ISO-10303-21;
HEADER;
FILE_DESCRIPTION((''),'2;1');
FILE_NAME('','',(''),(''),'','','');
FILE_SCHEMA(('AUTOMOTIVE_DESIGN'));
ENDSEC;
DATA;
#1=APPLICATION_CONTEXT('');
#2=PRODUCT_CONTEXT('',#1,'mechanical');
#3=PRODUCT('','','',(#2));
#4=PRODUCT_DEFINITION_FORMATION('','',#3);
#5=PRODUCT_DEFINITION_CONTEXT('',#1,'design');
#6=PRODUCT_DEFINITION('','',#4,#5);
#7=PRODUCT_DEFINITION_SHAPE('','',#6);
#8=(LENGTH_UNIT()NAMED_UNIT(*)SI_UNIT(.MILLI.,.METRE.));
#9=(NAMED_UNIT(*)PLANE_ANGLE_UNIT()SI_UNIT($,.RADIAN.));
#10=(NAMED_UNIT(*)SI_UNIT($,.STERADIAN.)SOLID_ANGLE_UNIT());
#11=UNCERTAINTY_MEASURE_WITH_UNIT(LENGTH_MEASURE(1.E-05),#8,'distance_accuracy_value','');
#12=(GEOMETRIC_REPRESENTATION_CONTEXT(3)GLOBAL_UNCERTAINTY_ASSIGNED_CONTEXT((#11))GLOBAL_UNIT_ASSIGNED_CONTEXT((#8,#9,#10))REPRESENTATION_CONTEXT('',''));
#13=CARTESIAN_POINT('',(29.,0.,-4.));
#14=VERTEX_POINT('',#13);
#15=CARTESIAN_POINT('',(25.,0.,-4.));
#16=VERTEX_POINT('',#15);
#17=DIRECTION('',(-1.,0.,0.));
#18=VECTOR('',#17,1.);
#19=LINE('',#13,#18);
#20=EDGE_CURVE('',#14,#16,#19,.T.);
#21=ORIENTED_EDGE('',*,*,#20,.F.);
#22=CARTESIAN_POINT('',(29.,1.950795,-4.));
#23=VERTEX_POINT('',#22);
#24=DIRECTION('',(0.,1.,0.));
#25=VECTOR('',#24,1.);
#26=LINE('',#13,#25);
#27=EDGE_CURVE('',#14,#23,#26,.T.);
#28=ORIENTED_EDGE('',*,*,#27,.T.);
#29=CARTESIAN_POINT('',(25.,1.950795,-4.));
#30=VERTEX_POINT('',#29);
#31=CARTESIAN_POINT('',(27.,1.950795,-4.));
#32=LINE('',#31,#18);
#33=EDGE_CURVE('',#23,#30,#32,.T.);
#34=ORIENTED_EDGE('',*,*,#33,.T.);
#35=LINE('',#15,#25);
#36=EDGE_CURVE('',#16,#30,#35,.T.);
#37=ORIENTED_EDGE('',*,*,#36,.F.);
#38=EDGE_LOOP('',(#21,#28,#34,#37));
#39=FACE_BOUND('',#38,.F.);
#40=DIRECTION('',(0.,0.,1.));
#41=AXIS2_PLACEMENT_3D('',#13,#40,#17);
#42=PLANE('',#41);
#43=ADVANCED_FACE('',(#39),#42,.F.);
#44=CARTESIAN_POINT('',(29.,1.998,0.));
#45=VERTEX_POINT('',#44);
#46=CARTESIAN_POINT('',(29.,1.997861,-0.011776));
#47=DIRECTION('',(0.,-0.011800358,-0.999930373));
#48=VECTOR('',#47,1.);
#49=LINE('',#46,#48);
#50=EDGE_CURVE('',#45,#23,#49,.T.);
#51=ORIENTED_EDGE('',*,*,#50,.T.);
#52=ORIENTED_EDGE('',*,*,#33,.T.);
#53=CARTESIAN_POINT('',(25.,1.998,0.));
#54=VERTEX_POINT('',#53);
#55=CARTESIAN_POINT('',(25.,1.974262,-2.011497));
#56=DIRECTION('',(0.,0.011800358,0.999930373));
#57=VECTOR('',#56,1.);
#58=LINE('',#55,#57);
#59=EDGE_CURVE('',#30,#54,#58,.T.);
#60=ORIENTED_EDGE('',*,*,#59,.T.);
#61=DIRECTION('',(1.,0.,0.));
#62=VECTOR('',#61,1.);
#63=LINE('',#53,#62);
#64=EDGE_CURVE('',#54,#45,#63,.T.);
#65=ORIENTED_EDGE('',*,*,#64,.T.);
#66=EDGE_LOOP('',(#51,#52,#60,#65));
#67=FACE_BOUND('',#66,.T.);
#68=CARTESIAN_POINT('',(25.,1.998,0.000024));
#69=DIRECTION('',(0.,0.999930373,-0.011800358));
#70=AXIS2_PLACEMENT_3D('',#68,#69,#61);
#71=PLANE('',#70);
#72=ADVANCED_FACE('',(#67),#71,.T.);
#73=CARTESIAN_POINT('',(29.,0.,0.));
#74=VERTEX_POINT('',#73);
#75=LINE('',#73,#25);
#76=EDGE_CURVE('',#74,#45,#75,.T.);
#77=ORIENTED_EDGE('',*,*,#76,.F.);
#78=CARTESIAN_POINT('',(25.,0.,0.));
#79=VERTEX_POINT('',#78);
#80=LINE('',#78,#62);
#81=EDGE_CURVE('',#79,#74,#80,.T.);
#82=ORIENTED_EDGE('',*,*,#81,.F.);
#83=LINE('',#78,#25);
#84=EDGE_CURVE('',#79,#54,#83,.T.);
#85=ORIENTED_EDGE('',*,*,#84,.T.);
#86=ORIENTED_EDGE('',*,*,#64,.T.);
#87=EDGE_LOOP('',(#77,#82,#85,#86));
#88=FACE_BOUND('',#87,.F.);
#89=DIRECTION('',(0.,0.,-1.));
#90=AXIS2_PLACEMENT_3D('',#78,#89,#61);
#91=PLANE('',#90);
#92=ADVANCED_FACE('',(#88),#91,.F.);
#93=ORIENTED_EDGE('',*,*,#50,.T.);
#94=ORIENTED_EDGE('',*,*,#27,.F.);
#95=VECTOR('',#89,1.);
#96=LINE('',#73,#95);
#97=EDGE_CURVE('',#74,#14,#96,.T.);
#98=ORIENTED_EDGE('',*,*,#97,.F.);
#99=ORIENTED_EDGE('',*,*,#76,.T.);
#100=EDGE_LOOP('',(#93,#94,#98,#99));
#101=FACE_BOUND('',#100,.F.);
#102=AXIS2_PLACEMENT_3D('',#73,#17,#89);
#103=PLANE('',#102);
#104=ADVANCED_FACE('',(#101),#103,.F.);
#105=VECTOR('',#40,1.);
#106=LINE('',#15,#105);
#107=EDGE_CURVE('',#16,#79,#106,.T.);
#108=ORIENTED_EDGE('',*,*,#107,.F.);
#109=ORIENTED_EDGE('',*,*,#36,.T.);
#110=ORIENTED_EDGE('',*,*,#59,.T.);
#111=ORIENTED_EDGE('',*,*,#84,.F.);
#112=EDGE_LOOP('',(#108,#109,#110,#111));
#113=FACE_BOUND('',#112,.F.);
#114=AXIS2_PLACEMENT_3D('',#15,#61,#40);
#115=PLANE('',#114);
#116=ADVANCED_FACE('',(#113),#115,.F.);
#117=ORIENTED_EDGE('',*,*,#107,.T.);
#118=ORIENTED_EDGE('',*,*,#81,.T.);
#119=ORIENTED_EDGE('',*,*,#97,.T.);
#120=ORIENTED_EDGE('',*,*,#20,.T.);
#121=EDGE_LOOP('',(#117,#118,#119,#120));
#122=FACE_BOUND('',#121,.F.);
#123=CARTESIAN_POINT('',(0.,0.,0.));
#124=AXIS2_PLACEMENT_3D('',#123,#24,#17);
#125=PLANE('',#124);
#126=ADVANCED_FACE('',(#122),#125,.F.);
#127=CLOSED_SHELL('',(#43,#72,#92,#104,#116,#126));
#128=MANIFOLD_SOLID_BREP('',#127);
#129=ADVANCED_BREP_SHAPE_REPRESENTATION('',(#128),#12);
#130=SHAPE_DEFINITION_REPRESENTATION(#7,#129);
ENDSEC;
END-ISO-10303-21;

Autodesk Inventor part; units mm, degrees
ref_plane "YZ Plane" through (0, 0, 0) normal (1, 0, 0) x (0, 1, 0)
ref_plane "XZ Plane" through (0, 0, 0) normal (0, 1, 0) x (-1, 0, 0)
ref_plane "XY Plane" through (0, 0, 0) normal (0, 0, 1) x (1, 0, 0)
sketch "Sketch1" plane through (0, 0, 0) normal (0, 1, 0) x (-1, 0, 0)
  line L0 (-25, 0) -> (-29, 0)
  line L1 (-29, 0) -> (-29, -4)
  line L2 (-29, -4) -> (-25, -4)
  line L3 (-25, -4) -> (-25, 0)
  line L4 (0, 0) -> (0, -8.4047) construction
  point P0 (-25, -2)
  dimension "d0" = 4
  dimension "d1" = 4
  dimension "d2" = 25
extrude "Extrusion1" add sketch "Sketch1" along normal blind 2
ref_plane "Work Plane1" through (25, 2, 0) normal (0, 0.9999, -0.0118) x (1, 0, 0)
sketch "Sketch2" plane through (25, 2, 0) normal (0, 0.9999, -0.0118) x (1, 0, 0)
  line L0 (-0.8908, -1.2177) -> (5.211, -1.2177)
  line L1 (5.211, -1.2177) -> (5.211, 5.5983)
  line L2 (5.211, 5.5983) -> (-0.8908, 5.5983)
  line L3 (-0.8908, 5.5983) -> (-0.8908, -1.2177)
  point P0 (-25, 0.0236)
extrude "Extrusion2" cut sketch "Sketch2" along normal blind 1.5
properties part number "filler_cube"
